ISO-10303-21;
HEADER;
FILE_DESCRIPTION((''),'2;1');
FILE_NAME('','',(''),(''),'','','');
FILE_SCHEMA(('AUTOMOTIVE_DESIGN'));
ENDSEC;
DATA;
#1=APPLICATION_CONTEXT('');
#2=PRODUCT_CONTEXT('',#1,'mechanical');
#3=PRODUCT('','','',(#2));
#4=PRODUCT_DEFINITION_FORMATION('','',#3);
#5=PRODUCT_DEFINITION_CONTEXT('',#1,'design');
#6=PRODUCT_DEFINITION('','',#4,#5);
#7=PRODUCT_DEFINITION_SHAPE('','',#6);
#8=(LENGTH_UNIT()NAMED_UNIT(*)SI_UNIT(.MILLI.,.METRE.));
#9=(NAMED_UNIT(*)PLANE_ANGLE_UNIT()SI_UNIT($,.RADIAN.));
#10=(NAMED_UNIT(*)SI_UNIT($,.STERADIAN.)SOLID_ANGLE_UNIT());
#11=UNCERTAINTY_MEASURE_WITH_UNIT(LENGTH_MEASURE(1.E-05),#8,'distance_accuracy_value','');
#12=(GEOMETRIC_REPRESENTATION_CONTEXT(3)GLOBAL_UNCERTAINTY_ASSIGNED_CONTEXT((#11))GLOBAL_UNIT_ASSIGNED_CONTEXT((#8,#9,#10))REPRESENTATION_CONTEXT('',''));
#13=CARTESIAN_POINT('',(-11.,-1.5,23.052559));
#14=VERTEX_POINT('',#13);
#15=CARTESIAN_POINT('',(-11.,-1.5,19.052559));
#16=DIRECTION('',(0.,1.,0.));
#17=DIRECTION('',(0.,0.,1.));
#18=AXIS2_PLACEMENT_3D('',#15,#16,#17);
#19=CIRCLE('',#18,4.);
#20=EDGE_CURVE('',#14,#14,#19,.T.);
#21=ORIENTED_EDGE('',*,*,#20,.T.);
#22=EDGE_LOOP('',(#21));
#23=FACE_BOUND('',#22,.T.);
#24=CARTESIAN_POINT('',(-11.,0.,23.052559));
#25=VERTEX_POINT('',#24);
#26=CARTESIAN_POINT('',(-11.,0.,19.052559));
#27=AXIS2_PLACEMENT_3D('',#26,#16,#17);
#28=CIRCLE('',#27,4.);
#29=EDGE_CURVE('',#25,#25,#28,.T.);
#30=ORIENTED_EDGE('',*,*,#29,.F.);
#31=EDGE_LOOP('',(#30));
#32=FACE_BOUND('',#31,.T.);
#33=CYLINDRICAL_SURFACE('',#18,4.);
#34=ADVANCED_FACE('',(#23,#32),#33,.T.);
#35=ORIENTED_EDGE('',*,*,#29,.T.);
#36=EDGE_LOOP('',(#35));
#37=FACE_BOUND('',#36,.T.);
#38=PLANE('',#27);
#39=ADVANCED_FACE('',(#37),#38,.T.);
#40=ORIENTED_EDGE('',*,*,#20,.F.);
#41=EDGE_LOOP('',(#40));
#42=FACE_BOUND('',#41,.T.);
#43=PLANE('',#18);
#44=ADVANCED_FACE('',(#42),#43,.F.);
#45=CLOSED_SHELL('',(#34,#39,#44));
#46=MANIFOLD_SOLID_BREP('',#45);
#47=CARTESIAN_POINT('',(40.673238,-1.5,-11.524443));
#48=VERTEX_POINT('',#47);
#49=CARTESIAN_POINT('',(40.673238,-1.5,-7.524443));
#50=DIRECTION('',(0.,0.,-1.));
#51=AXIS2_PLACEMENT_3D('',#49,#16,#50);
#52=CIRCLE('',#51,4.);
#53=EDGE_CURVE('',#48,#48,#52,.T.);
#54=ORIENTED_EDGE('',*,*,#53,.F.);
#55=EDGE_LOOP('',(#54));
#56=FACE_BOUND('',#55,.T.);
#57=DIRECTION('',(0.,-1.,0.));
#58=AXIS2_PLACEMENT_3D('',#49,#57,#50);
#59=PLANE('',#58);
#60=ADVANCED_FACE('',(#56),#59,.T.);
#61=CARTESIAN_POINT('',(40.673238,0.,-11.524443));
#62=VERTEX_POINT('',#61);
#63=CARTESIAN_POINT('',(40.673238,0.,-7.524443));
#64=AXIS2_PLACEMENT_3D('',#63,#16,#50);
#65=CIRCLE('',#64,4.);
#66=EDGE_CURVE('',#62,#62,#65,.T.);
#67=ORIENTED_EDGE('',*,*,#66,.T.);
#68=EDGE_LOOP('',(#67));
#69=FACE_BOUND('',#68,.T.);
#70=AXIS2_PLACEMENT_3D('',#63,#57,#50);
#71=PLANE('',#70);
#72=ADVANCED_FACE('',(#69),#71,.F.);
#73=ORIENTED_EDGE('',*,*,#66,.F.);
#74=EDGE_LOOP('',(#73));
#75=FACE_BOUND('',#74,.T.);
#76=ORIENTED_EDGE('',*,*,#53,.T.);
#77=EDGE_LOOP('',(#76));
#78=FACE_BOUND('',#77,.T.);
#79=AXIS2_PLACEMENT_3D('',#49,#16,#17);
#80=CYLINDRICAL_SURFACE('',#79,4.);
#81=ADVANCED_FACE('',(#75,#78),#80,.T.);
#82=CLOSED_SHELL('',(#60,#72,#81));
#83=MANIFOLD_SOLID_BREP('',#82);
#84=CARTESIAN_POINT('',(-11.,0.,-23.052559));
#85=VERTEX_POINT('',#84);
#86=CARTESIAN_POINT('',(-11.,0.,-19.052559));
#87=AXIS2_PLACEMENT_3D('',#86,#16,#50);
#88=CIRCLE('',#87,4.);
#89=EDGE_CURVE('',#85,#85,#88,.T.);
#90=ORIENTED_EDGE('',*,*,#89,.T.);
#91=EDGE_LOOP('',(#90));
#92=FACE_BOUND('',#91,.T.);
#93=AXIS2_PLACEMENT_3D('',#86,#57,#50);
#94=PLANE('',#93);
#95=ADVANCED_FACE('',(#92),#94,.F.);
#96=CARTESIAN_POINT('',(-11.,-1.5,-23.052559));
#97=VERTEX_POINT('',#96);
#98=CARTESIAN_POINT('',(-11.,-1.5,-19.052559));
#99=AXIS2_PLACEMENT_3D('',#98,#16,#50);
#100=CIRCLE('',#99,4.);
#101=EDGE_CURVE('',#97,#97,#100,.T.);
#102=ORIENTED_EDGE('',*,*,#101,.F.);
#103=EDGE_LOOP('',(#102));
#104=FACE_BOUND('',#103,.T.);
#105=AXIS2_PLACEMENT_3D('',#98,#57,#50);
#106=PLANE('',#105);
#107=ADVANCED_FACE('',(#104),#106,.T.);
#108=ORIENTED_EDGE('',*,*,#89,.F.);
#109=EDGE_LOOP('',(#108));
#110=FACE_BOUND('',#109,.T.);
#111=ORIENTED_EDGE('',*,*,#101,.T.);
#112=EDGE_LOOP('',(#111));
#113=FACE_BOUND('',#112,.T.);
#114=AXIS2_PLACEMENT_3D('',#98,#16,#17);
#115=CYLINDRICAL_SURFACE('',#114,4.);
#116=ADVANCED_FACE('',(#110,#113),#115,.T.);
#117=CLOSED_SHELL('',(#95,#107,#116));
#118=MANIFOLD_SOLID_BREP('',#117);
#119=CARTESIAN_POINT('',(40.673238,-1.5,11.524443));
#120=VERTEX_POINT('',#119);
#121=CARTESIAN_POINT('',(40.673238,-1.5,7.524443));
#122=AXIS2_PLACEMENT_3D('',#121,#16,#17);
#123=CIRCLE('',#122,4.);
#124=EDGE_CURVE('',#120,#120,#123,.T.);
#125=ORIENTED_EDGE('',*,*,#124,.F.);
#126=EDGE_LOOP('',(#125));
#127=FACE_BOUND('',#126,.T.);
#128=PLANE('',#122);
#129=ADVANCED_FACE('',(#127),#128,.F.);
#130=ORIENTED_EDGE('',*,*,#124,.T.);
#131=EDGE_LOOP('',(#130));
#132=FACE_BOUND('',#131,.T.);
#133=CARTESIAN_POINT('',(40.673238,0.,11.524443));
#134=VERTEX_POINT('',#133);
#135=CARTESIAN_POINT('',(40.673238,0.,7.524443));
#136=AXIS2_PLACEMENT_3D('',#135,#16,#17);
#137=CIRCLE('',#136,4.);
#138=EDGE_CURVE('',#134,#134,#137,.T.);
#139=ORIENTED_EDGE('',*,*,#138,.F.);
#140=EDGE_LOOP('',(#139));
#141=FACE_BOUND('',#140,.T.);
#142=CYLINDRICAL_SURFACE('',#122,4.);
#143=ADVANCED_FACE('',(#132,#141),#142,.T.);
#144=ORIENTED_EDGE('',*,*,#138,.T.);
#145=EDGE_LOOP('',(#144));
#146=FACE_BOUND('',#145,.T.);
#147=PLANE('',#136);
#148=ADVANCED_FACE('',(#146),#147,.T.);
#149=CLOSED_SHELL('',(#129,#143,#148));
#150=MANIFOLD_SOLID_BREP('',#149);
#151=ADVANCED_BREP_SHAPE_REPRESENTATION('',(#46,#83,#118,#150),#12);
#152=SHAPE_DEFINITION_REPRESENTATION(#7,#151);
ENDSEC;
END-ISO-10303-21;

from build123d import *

# Parameters (mm, degrees)
SKETCH1_R             = 4
BOSS_EXTRUDE1_DEPTH   = 1.5
BOSS_EXTRUDE1_2_DEPTH = 1.5
BOSS_EXTRUDE1_3_DEPTH = 1.5
BOSS_EXTRUDE1_4_DEPTH = 1.5


with BuildPart() as part:
    # Sketch1 → Boss-Extrude1 (new body)
    with BuildSketch(Plane(origin=(0, 0, 0), x_dir=(1, 0, 0), z_dir=(0, 1, 0))):
        with Locations((-11, -19.052558883)):
            Circle(SKETCH1_R)
    extrude(amount=-BOSS_EXTRUDE1_DEPTH)


with BuildPart() as body_2:
    # Sketch1 → Boss-Extrude1 2 (new body)
    with BuildSketch(Plane(origin=(0, 0, 0), x_dir=(1, 0, 0), z_dir=(0, 1, 0))):
        with Locations((40.673237657, -7.524443153)):
            Circle(SKETCH1_R)
    extrude(amount=-BOSS_EXTRUDE1_2_DEPTH)


with BuildPart() as body_3:
    # Sketch1 → Boss-Extrude1 3 (new body)
    with BuildSketch(Plane(origin=(0, 0, 0), x_dir=(1, 0, 0), z_dir=(0, 1, 0))):
        with Locations((40.673237657, 7.524443153)):
            Circle(SKETCH1_R)
    extrude(amount=-BOSS_EXTRUDE1_3_DEPTH)


with BuildPart() as body_4:
    # Sketch1 → Boss-Extrude1 4 (new body)
    with BuildSketch(Plane(origin=(0, 0, 0), x_dir=(1, 0, 0), z_dir=(0, 1, 0))):
        with Locations((-11, 19.052558883)):
            Circle(SKETCH1_R)
    extrude(amount=-BOSS_EXTRUDE1_4_DEPTH)


solid = Compound([part.part, body_2.part, body_3.part, body_4.part])
